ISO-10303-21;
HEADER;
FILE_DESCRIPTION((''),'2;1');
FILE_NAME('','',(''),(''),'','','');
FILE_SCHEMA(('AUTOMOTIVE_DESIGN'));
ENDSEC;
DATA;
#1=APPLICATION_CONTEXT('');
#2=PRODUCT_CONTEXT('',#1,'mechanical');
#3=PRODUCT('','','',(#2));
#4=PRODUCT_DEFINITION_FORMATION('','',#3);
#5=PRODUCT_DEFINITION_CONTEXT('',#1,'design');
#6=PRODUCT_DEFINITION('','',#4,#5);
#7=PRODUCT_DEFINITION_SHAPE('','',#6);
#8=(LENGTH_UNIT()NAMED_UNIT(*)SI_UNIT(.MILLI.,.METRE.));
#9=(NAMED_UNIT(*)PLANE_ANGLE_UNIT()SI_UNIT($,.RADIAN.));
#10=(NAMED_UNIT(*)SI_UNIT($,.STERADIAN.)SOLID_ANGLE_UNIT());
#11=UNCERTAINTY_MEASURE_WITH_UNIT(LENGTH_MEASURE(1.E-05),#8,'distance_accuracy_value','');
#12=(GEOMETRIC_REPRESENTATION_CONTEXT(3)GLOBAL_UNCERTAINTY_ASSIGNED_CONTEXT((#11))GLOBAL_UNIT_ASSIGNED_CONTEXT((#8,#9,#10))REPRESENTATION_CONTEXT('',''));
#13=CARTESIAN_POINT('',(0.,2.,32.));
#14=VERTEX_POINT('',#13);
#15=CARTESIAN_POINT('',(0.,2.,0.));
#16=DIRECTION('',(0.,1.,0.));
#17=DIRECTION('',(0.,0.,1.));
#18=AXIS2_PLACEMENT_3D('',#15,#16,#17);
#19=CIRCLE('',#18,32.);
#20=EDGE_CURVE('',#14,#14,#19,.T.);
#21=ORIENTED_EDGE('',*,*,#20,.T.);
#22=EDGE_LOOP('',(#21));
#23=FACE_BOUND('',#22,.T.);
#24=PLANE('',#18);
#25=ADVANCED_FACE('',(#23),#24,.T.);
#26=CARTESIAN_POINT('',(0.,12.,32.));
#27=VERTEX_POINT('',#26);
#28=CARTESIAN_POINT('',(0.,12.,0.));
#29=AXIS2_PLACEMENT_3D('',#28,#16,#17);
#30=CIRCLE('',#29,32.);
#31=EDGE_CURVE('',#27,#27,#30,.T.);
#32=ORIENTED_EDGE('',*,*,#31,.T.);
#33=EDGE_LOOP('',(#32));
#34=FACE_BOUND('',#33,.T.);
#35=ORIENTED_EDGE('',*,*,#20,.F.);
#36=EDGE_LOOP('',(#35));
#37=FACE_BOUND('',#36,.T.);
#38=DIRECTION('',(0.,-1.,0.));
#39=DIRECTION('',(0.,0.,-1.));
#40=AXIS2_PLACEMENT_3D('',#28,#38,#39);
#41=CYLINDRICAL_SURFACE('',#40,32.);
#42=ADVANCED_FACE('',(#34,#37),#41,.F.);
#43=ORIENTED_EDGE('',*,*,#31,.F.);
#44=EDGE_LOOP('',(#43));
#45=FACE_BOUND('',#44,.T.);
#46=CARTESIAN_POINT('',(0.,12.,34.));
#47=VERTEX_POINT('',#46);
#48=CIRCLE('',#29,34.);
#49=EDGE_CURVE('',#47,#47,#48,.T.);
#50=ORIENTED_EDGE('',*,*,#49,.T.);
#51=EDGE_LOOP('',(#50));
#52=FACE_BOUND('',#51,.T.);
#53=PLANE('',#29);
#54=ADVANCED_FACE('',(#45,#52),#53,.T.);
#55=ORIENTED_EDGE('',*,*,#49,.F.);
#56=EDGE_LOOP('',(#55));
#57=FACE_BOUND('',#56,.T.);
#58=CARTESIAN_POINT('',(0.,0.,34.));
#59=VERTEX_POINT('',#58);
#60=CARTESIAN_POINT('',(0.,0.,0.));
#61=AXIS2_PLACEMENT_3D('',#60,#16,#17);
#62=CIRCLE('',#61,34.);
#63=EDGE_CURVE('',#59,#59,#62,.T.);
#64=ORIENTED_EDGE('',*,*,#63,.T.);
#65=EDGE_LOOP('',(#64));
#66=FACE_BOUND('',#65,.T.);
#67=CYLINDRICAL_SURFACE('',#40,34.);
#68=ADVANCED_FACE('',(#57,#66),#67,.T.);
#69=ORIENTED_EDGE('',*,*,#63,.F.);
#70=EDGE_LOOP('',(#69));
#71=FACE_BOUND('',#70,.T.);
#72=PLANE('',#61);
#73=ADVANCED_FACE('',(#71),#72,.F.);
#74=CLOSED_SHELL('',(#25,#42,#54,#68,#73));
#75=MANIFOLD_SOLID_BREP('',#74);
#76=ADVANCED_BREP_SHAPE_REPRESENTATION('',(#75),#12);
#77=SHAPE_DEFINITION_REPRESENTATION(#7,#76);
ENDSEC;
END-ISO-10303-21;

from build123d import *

# Parameters (mm, degrees)
SKETCH1_R           = 34
SKETCH1_R_2         = 32
BOSS_EXTRUDE1_DEPTH = 12
SKETCH1_2_R         = 34
SKETCH1_2_R_2       = 32
BOSS_EXTRUDE2_DEPTH = 12
SKETCH1_3_R         = 32
BOSS_EXTRUDE3_DEPTH = 2


with BuildPart() as part:
    # Sketch1 → Boss-Extrude1 (new body)
    with BuildSketch(Plane(origin=(0, 0, 0), x_dir=(1, 0, 0), z_dir=(0, 1, 0))):
        Circle(SKETCH1_R)
        Circle(SKETCH1_R_2, mode=Mode.SUBTRACT)
    extrude(amount=BOSS_EXTRUDE1_DEPTH)

    # Sketch1<2> → Boss-Extrude2 (add)
    with BuildSketch(Plane(origin=(0, 0, 0), x_dir=(1, 0, 0), z_dir=(0, 1, 0))):
        Circle(SKETCH1_2_R)
        Circle(SKETCH1_2_R_2, mode=Mode.SUBTRACT)
    extrude(amount=BOSS_EXTRUDE2_DEPTH)

    # Sketch1<3> → Boss-Extrude3 (add)
    with BuildSketch(Plane(origin=(0, 0, 0), x_dir=(1, 0, 0), z_dir=(0, 1, 0))):
        Circle(SKETCH1_3_R)
    extrude(amount=BOSS_EXTRUDE3_DEPTH)


solid = part.part
